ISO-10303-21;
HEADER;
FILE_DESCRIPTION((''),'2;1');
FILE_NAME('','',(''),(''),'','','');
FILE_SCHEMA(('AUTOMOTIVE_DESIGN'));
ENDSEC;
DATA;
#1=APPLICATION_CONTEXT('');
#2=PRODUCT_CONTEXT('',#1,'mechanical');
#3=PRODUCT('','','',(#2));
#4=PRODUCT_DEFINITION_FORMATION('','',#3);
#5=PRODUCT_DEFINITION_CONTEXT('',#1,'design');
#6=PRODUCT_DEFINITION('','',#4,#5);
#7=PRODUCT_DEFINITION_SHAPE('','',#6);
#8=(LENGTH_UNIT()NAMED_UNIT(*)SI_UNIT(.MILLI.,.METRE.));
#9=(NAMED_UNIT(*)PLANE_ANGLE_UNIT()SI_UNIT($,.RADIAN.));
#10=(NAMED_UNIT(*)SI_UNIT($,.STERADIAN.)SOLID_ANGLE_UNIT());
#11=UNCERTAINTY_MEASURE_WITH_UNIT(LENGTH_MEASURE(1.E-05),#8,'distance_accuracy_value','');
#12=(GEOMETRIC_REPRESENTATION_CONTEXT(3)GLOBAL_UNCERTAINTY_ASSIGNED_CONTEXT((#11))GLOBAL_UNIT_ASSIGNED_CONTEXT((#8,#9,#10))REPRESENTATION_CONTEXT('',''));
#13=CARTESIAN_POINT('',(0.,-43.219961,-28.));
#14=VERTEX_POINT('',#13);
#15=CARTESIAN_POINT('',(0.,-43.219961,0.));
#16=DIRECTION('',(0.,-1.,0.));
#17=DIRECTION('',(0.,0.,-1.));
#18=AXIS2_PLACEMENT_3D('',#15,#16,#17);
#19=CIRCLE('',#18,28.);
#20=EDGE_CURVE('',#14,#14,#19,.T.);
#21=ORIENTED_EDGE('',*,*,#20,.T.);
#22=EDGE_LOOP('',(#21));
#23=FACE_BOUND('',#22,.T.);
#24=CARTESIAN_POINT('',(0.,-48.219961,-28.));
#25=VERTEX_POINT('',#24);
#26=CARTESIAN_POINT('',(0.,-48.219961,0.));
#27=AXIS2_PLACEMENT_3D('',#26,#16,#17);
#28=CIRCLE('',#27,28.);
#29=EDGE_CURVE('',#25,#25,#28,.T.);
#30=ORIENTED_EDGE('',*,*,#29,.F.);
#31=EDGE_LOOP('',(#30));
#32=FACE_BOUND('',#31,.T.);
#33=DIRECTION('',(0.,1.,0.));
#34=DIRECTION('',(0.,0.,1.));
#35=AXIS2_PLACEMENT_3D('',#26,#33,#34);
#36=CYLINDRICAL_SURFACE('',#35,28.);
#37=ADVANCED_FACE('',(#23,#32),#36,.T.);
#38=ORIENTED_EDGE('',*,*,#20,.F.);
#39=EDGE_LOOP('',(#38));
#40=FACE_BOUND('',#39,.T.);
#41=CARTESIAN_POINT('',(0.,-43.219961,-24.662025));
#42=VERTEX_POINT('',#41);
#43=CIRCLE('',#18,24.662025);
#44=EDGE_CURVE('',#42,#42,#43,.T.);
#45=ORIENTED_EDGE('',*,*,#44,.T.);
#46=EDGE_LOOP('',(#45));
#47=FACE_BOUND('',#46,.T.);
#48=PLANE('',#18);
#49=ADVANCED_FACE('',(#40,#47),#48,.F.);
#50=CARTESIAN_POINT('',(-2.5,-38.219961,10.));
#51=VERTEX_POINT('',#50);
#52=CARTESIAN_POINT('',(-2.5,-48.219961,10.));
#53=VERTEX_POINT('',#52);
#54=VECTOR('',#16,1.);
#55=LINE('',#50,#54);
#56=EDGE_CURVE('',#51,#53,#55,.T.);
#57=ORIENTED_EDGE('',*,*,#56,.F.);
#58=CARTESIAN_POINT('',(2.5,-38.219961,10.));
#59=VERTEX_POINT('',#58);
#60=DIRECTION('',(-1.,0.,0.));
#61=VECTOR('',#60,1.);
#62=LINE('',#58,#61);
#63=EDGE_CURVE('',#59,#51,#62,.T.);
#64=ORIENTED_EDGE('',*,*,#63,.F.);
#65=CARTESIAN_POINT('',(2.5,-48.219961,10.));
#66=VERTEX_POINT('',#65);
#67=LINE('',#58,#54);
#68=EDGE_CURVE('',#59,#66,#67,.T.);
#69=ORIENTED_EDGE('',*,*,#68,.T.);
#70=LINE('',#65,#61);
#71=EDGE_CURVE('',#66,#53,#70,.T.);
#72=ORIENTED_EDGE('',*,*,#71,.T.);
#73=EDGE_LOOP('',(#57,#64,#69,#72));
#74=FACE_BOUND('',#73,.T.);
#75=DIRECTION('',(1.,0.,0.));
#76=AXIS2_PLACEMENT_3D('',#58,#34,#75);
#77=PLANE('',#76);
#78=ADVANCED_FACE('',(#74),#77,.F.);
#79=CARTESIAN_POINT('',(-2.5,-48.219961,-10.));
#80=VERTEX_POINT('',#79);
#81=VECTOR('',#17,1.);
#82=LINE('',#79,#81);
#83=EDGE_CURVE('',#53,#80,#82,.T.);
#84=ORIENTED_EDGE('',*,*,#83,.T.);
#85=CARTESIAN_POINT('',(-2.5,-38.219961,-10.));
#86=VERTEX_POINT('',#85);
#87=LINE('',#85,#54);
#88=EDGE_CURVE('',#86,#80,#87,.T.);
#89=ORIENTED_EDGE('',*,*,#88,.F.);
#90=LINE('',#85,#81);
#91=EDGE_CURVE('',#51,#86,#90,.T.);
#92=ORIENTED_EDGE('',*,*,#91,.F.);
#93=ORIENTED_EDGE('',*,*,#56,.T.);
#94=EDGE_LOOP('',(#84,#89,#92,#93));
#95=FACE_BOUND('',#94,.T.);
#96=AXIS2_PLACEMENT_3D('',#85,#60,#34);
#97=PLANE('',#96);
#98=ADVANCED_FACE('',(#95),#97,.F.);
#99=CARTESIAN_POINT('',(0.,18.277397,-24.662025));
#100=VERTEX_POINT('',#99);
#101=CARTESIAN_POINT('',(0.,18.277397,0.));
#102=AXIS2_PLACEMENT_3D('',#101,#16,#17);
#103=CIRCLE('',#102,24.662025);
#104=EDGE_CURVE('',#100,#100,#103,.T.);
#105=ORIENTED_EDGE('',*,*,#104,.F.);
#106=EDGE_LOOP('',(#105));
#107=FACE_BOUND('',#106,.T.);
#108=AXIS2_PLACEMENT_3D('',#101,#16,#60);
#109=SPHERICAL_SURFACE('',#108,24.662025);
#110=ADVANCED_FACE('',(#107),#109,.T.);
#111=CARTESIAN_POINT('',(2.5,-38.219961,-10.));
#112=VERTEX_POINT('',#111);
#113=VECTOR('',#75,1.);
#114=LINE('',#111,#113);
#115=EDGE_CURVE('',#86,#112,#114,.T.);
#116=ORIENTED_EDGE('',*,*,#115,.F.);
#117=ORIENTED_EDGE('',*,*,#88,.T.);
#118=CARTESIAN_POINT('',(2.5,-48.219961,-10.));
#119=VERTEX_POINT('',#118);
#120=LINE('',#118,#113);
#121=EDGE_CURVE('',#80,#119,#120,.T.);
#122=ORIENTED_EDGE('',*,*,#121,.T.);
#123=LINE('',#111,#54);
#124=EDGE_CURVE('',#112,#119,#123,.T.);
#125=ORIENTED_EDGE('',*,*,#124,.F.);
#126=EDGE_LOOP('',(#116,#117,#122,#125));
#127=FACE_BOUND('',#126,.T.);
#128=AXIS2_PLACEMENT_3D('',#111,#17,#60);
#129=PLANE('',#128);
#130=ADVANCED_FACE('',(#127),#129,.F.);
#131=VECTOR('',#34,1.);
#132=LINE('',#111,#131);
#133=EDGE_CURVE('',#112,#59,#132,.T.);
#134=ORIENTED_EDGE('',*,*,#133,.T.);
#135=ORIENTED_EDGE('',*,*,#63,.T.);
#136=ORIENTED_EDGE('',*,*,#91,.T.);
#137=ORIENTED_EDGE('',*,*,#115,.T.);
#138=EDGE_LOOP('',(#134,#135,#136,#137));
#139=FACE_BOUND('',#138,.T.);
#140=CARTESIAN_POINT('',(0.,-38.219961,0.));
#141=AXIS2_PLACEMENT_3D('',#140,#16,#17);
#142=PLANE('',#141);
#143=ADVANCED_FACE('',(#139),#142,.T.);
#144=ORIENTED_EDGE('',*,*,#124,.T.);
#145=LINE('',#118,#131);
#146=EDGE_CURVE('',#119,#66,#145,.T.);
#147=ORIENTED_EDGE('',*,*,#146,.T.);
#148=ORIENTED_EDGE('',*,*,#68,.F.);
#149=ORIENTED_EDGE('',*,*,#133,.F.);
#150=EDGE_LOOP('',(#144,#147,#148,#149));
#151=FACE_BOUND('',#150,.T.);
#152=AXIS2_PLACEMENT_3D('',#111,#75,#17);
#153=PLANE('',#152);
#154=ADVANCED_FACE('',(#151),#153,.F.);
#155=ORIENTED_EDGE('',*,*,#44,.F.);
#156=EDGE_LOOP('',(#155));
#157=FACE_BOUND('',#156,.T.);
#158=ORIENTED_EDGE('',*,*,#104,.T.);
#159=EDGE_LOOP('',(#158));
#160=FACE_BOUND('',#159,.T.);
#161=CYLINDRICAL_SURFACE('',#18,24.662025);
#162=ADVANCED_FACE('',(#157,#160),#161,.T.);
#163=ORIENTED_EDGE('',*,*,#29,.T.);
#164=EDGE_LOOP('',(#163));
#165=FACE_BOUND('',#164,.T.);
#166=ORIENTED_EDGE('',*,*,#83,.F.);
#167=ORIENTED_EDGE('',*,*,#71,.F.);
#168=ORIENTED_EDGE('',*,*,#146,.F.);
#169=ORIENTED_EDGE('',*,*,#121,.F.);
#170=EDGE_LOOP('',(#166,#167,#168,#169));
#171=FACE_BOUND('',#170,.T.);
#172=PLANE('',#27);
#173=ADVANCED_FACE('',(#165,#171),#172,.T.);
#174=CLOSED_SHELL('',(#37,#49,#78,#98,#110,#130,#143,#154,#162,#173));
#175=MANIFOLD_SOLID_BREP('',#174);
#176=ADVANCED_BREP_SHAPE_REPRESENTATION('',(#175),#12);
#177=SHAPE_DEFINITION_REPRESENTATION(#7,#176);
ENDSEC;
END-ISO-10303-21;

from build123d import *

# Parameters (mm, degrees)
SKETCH2_R           = 28
BOSS_EXTRUDE1_DEPTH = 5
SKETCH3_W           = 5
SKETCH3_H           = 20
CUT_EXTRUDE1_DEPTH  = 10


with BuildPart() as part:
    # Sketch1 → Revolve1 (revolve)
    with BuildSketch(Plane.XY):
        with BuildLine():
            Line((-24.662024669, 18.27739706), (-24.662024669, -43.219960911))
            Line((-24.662024669, -43.219960911), (0, -43.219960911))
            Line((0, -43.219960911), (0, 42.939421729))
            ThreePointArc((0, 42.939421729), (-17.438684882, 35.716081941), (-24.662024669, 18.27739706))
        make_face()
    revolve(axis=Axis((0, -43.219960911, 0), (0, 1, 0)))

    # Sketch2 → Boss-Extrude1 (add)
    with BuildSketch(Plane.XZ.offset(43.219960911)):
        with Locations(Location((0, 0, 0), (0, 0, 270))):
            Circle(SKETCH2_R)
    extrude(amount=BOSS_EXTRUDE1_DEPTH)

    # Sketch3 → Cut-Extrude1 (cut)
    with BuildSketch(Plane.XZ.offset(48.219960911)):
        Rectangle(SKETCH3_W, SKETCH3_H)
    extrude(amount=-CUT_EXTRUDE1_DEPTH, mode=Mode.SUBTRACT)


solid = part.part
